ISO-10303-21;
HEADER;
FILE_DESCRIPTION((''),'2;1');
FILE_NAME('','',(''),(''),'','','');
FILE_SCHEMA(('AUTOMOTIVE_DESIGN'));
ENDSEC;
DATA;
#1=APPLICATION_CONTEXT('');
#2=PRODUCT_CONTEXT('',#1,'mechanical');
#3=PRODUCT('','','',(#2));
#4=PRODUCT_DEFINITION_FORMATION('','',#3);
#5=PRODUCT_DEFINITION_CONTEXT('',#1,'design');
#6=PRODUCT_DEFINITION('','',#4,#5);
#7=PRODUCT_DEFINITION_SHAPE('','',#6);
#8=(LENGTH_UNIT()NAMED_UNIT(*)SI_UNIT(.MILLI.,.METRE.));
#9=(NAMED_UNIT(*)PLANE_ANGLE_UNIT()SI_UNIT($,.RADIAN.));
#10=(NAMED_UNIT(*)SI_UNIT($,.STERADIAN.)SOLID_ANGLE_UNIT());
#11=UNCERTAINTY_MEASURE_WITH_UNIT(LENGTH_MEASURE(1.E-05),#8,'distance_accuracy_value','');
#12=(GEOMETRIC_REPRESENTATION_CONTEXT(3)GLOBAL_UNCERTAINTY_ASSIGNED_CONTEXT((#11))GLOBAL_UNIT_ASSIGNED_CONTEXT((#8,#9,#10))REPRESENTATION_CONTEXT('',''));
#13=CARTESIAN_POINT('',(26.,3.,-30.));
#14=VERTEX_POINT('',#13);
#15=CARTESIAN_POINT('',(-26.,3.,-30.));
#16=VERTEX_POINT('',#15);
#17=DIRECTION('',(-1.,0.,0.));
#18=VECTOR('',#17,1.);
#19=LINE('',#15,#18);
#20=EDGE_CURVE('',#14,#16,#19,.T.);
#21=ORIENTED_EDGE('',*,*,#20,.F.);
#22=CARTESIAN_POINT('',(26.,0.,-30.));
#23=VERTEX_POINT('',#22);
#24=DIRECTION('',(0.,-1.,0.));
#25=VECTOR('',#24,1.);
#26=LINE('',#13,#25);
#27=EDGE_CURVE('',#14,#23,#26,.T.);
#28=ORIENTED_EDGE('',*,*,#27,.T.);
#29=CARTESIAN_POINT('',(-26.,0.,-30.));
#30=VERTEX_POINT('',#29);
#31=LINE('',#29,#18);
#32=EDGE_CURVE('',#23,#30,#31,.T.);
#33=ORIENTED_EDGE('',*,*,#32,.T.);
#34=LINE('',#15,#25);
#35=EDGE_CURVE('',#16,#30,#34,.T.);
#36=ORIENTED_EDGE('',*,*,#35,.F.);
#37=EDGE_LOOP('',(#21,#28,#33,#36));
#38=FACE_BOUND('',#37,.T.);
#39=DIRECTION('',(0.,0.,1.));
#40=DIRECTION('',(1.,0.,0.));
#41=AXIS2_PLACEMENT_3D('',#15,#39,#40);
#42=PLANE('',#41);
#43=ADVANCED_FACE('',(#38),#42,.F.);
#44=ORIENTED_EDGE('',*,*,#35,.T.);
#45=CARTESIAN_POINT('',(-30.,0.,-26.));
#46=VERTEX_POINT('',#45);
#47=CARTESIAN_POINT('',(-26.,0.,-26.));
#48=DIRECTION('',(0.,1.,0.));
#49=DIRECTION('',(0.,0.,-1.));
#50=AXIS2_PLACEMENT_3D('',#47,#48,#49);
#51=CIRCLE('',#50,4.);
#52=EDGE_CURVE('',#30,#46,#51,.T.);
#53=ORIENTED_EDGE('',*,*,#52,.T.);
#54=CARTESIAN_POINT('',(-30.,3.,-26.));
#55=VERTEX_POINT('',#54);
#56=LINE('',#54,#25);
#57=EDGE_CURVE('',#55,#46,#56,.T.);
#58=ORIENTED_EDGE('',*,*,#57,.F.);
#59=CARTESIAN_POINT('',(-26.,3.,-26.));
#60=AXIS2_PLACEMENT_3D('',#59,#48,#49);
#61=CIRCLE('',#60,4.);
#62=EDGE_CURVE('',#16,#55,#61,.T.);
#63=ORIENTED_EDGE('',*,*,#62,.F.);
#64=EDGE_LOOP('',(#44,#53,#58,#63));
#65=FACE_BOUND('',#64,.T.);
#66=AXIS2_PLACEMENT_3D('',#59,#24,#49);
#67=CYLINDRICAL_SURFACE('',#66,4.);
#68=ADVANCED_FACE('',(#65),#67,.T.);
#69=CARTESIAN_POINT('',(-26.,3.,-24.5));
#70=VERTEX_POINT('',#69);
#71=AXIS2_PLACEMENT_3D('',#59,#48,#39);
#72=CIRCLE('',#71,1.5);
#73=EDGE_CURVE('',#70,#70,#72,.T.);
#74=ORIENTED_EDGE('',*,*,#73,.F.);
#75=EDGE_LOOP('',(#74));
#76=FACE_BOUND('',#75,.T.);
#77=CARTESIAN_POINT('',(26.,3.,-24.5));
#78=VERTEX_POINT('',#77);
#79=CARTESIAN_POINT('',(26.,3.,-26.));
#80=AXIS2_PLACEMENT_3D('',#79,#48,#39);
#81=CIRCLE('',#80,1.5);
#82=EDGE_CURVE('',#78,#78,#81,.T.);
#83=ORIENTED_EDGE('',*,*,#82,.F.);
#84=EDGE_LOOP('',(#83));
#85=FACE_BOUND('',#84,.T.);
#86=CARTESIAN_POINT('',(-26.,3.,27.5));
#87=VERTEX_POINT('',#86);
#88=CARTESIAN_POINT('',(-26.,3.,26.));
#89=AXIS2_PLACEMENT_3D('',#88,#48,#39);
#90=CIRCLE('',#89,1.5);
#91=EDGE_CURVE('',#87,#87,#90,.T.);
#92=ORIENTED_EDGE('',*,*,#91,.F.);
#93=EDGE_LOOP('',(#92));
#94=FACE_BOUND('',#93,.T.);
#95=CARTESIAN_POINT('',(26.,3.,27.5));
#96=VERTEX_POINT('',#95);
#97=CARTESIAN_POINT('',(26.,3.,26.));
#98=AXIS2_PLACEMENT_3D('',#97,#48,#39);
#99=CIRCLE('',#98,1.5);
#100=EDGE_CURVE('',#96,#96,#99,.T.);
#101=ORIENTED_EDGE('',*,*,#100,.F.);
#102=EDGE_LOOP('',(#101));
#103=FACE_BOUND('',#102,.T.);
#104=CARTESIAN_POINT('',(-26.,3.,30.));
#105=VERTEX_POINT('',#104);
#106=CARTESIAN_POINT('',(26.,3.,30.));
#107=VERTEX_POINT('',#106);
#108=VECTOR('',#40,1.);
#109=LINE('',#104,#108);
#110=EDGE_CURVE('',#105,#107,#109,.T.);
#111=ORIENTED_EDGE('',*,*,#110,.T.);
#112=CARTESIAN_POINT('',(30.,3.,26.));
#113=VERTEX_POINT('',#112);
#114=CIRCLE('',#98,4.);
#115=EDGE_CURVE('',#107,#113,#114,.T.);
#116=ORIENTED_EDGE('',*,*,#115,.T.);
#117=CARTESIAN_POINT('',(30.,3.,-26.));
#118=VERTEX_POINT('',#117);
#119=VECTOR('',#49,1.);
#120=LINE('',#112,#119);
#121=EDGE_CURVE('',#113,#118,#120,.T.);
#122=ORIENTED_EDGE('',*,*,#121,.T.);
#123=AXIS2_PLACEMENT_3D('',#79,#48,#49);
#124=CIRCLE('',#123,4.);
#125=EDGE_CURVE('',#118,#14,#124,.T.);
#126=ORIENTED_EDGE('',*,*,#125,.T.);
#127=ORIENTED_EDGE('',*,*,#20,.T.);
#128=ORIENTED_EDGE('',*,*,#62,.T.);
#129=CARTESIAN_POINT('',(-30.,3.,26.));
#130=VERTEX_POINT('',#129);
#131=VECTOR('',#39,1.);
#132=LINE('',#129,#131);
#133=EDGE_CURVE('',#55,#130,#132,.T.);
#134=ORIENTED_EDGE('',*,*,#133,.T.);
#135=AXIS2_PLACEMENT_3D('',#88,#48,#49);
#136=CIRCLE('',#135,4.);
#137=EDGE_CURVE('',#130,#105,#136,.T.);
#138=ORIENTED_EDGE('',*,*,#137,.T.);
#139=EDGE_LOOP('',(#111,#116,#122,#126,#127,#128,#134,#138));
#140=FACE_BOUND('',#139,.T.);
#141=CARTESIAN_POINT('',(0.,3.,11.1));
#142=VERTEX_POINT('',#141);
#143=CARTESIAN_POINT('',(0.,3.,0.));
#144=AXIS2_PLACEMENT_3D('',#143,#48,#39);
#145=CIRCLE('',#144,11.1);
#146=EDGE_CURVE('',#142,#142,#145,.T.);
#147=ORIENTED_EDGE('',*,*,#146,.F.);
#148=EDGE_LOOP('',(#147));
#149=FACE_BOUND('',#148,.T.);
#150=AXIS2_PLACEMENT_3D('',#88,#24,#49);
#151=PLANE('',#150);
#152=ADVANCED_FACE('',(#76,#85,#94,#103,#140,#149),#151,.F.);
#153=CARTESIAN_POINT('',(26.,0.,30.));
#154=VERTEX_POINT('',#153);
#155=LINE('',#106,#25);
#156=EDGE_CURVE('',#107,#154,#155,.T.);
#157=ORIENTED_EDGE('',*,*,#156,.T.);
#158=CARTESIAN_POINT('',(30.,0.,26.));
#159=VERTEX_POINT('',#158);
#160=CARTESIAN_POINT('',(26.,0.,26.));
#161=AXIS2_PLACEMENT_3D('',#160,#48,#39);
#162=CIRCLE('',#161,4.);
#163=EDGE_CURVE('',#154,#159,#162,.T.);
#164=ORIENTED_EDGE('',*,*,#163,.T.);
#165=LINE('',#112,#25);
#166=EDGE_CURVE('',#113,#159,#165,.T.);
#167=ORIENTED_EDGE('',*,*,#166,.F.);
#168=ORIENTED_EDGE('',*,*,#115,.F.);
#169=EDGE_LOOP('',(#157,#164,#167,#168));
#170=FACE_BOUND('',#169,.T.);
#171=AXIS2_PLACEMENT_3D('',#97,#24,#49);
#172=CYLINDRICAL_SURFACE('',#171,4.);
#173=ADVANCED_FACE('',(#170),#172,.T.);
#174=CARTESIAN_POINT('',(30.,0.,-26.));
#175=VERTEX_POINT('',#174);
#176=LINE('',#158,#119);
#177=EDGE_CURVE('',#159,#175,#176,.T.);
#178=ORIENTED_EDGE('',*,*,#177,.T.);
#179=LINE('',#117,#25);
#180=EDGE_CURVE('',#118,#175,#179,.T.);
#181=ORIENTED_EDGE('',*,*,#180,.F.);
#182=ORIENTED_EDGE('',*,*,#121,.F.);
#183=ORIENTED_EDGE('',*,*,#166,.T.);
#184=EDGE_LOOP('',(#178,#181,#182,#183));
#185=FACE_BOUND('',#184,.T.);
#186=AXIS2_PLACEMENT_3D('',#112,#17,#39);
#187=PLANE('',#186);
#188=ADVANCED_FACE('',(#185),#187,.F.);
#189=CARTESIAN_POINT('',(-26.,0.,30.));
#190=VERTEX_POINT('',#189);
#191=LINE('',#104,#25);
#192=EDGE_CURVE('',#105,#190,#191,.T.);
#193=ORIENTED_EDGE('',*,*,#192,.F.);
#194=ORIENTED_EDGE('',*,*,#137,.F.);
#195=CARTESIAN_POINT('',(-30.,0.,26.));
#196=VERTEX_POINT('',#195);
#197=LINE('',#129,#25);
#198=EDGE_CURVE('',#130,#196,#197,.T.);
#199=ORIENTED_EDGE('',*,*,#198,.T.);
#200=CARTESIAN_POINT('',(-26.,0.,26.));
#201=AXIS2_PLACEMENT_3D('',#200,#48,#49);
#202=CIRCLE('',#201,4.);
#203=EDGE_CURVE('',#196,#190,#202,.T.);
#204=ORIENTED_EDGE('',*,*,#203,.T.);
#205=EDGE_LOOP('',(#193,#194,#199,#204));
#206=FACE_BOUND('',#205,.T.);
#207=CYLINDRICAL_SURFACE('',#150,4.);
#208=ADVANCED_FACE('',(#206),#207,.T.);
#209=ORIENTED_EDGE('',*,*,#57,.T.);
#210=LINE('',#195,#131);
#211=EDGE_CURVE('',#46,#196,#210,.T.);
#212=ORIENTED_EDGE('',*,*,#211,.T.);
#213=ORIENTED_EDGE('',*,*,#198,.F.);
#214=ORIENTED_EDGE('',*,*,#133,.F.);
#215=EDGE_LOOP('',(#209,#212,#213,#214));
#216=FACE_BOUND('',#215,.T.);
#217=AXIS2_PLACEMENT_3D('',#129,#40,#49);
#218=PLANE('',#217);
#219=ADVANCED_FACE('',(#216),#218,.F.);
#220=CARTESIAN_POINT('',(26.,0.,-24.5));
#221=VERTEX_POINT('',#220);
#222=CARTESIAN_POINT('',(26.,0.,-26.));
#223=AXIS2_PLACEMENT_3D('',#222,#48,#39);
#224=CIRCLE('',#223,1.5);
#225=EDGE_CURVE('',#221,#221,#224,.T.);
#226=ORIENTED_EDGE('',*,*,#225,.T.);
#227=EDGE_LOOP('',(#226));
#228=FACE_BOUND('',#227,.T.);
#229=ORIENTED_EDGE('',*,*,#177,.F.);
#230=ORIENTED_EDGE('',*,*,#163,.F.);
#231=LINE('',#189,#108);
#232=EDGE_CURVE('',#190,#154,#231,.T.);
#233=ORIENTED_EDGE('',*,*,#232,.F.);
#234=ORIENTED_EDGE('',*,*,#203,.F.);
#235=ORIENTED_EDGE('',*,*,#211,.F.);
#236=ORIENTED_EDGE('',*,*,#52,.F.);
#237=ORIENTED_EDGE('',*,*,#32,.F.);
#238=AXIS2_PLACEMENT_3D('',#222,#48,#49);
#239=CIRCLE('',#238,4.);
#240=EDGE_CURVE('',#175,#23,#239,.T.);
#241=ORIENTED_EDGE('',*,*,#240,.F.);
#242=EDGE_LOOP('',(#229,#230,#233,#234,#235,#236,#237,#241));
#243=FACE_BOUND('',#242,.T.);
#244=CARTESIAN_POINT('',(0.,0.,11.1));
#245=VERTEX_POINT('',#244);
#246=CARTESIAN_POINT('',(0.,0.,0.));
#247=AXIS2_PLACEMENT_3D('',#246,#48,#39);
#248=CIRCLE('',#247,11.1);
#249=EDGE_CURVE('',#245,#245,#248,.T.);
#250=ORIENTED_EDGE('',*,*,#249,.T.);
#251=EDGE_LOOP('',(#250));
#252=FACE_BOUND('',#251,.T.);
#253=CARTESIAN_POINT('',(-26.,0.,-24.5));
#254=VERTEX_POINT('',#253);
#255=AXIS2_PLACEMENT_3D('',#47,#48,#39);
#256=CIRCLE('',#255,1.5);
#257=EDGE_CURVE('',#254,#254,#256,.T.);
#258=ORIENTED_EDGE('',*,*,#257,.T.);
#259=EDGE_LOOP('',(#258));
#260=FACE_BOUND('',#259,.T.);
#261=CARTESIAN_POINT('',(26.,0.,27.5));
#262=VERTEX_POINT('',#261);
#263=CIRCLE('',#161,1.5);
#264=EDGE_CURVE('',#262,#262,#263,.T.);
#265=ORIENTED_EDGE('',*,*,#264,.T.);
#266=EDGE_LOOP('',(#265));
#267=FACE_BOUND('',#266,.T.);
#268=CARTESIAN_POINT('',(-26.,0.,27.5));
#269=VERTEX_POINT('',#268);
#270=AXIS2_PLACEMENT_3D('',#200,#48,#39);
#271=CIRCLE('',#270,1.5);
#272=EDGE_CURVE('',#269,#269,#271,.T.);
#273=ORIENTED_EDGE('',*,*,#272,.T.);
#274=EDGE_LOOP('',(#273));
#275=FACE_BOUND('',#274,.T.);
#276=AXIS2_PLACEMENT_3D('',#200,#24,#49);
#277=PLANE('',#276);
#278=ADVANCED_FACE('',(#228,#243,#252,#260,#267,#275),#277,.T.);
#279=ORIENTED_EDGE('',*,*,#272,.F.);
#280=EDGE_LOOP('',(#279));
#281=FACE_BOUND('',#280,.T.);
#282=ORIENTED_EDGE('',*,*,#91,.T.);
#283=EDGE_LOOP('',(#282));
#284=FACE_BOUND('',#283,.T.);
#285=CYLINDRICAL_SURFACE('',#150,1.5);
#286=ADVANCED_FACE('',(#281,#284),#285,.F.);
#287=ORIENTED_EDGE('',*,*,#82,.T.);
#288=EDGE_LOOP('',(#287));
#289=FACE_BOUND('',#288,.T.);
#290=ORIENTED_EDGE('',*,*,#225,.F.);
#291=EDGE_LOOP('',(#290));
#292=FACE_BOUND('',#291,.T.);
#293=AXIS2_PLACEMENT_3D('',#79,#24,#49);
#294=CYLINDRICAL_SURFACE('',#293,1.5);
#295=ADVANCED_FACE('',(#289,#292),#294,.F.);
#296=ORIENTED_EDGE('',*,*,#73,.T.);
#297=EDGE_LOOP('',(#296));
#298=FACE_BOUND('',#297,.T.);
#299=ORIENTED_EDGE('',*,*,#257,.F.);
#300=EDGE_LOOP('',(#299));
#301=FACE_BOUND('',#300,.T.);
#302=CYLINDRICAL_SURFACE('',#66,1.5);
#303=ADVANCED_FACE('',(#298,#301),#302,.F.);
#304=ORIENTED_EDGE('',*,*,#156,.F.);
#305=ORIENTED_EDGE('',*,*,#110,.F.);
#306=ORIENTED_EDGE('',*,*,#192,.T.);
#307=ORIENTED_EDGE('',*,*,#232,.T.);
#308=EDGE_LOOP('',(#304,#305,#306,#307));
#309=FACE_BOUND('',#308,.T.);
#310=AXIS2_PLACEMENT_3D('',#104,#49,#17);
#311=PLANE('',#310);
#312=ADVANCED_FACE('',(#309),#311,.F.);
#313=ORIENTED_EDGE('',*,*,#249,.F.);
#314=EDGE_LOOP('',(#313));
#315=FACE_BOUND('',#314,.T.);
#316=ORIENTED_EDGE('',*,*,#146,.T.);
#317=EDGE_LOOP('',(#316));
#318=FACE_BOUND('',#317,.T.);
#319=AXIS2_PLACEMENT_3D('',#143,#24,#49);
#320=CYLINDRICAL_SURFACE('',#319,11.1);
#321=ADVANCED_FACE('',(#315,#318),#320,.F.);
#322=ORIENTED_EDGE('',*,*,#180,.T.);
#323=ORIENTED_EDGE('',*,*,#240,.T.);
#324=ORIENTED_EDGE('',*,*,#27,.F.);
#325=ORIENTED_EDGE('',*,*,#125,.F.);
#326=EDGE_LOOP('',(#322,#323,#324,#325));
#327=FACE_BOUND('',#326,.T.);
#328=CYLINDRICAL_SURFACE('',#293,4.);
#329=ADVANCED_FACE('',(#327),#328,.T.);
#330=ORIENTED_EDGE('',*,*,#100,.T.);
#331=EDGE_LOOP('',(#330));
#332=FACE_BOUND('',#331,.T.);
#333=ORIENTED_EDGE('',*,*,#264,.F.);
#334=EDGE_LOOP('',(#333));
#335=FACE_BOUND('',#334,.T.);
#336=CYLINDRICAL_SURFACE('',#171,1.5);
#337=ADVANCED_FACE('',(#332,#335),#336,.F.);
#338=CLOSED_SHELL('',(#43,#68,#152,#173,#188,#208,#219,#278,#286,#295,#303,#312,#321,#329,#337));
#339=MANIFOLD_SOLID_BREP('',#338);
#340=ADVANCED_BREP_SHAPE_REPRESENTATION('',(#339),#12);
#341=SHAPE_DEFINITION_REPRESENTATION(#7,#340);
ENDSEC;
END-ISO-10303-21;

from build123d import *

# Parameters (mm, degrees)
SKETCH_1_R      = 1.5
SKETCH_1_R_2    = 11.1
EXTRUDE_1_DEPTH = 3


with BuildPart() as part:
    # 草图1 → 凸台-拉伸1 (new body)
    with BuildSketch(Plane(origin=(0, 0, 0), x_dir=(1, 0, 0), z_dir=(0, 1, 0))):
        with BuildLine():
            Line((-26, -30), (26, -30))
            ThreePointArc((26, -30), (28.828427125, -28.828427125), (30, -26))
            Line((30, -26), (30, 26))
            ThreePointArc((30, 26), (28.828427125, 28.828427125), (26, 30))
            Line((26, 30), (-26, 30))
            ThreePointArc((-26, 30), (-28.828427125, 28.828427125), (-30, 26))
            Line((-30, 26), (-30, -26))
            ThreePointArc((-30, -26), (-28.828427125, -28.828427125), (-26, -30))
        make_face()
        with Locations(Location((-26, 26, 0), (0, 0, 270))):
            Circle(SKETCH_1_R, mode=Mode.SUBTRACT)
        with Locations(Location((26, 26, 0), (0, 0, 270))):
            Circle(SKETCH_1_R, mode=Mode.SUBTRACT)
        with Locations(Location((26, -26, 0), (0, 0, 270))):
            Circle(SKETCH_1_R, mode=Mode.SUBTRACT)
        with Locations(Location((-26, -26, 0), (0, 0, 270))):
            Circle(SKETCH_1_R, mode=Mode.SUBTRACT)
        with Locations(Location((0, 0, 0), (0, 0, 270))):
            Circle(SKETCH_1_R_2, mode=Mode.SUBTRACT)
    extrude(amount=EXTRUDE_1_DEPTH)


solid = part.part
